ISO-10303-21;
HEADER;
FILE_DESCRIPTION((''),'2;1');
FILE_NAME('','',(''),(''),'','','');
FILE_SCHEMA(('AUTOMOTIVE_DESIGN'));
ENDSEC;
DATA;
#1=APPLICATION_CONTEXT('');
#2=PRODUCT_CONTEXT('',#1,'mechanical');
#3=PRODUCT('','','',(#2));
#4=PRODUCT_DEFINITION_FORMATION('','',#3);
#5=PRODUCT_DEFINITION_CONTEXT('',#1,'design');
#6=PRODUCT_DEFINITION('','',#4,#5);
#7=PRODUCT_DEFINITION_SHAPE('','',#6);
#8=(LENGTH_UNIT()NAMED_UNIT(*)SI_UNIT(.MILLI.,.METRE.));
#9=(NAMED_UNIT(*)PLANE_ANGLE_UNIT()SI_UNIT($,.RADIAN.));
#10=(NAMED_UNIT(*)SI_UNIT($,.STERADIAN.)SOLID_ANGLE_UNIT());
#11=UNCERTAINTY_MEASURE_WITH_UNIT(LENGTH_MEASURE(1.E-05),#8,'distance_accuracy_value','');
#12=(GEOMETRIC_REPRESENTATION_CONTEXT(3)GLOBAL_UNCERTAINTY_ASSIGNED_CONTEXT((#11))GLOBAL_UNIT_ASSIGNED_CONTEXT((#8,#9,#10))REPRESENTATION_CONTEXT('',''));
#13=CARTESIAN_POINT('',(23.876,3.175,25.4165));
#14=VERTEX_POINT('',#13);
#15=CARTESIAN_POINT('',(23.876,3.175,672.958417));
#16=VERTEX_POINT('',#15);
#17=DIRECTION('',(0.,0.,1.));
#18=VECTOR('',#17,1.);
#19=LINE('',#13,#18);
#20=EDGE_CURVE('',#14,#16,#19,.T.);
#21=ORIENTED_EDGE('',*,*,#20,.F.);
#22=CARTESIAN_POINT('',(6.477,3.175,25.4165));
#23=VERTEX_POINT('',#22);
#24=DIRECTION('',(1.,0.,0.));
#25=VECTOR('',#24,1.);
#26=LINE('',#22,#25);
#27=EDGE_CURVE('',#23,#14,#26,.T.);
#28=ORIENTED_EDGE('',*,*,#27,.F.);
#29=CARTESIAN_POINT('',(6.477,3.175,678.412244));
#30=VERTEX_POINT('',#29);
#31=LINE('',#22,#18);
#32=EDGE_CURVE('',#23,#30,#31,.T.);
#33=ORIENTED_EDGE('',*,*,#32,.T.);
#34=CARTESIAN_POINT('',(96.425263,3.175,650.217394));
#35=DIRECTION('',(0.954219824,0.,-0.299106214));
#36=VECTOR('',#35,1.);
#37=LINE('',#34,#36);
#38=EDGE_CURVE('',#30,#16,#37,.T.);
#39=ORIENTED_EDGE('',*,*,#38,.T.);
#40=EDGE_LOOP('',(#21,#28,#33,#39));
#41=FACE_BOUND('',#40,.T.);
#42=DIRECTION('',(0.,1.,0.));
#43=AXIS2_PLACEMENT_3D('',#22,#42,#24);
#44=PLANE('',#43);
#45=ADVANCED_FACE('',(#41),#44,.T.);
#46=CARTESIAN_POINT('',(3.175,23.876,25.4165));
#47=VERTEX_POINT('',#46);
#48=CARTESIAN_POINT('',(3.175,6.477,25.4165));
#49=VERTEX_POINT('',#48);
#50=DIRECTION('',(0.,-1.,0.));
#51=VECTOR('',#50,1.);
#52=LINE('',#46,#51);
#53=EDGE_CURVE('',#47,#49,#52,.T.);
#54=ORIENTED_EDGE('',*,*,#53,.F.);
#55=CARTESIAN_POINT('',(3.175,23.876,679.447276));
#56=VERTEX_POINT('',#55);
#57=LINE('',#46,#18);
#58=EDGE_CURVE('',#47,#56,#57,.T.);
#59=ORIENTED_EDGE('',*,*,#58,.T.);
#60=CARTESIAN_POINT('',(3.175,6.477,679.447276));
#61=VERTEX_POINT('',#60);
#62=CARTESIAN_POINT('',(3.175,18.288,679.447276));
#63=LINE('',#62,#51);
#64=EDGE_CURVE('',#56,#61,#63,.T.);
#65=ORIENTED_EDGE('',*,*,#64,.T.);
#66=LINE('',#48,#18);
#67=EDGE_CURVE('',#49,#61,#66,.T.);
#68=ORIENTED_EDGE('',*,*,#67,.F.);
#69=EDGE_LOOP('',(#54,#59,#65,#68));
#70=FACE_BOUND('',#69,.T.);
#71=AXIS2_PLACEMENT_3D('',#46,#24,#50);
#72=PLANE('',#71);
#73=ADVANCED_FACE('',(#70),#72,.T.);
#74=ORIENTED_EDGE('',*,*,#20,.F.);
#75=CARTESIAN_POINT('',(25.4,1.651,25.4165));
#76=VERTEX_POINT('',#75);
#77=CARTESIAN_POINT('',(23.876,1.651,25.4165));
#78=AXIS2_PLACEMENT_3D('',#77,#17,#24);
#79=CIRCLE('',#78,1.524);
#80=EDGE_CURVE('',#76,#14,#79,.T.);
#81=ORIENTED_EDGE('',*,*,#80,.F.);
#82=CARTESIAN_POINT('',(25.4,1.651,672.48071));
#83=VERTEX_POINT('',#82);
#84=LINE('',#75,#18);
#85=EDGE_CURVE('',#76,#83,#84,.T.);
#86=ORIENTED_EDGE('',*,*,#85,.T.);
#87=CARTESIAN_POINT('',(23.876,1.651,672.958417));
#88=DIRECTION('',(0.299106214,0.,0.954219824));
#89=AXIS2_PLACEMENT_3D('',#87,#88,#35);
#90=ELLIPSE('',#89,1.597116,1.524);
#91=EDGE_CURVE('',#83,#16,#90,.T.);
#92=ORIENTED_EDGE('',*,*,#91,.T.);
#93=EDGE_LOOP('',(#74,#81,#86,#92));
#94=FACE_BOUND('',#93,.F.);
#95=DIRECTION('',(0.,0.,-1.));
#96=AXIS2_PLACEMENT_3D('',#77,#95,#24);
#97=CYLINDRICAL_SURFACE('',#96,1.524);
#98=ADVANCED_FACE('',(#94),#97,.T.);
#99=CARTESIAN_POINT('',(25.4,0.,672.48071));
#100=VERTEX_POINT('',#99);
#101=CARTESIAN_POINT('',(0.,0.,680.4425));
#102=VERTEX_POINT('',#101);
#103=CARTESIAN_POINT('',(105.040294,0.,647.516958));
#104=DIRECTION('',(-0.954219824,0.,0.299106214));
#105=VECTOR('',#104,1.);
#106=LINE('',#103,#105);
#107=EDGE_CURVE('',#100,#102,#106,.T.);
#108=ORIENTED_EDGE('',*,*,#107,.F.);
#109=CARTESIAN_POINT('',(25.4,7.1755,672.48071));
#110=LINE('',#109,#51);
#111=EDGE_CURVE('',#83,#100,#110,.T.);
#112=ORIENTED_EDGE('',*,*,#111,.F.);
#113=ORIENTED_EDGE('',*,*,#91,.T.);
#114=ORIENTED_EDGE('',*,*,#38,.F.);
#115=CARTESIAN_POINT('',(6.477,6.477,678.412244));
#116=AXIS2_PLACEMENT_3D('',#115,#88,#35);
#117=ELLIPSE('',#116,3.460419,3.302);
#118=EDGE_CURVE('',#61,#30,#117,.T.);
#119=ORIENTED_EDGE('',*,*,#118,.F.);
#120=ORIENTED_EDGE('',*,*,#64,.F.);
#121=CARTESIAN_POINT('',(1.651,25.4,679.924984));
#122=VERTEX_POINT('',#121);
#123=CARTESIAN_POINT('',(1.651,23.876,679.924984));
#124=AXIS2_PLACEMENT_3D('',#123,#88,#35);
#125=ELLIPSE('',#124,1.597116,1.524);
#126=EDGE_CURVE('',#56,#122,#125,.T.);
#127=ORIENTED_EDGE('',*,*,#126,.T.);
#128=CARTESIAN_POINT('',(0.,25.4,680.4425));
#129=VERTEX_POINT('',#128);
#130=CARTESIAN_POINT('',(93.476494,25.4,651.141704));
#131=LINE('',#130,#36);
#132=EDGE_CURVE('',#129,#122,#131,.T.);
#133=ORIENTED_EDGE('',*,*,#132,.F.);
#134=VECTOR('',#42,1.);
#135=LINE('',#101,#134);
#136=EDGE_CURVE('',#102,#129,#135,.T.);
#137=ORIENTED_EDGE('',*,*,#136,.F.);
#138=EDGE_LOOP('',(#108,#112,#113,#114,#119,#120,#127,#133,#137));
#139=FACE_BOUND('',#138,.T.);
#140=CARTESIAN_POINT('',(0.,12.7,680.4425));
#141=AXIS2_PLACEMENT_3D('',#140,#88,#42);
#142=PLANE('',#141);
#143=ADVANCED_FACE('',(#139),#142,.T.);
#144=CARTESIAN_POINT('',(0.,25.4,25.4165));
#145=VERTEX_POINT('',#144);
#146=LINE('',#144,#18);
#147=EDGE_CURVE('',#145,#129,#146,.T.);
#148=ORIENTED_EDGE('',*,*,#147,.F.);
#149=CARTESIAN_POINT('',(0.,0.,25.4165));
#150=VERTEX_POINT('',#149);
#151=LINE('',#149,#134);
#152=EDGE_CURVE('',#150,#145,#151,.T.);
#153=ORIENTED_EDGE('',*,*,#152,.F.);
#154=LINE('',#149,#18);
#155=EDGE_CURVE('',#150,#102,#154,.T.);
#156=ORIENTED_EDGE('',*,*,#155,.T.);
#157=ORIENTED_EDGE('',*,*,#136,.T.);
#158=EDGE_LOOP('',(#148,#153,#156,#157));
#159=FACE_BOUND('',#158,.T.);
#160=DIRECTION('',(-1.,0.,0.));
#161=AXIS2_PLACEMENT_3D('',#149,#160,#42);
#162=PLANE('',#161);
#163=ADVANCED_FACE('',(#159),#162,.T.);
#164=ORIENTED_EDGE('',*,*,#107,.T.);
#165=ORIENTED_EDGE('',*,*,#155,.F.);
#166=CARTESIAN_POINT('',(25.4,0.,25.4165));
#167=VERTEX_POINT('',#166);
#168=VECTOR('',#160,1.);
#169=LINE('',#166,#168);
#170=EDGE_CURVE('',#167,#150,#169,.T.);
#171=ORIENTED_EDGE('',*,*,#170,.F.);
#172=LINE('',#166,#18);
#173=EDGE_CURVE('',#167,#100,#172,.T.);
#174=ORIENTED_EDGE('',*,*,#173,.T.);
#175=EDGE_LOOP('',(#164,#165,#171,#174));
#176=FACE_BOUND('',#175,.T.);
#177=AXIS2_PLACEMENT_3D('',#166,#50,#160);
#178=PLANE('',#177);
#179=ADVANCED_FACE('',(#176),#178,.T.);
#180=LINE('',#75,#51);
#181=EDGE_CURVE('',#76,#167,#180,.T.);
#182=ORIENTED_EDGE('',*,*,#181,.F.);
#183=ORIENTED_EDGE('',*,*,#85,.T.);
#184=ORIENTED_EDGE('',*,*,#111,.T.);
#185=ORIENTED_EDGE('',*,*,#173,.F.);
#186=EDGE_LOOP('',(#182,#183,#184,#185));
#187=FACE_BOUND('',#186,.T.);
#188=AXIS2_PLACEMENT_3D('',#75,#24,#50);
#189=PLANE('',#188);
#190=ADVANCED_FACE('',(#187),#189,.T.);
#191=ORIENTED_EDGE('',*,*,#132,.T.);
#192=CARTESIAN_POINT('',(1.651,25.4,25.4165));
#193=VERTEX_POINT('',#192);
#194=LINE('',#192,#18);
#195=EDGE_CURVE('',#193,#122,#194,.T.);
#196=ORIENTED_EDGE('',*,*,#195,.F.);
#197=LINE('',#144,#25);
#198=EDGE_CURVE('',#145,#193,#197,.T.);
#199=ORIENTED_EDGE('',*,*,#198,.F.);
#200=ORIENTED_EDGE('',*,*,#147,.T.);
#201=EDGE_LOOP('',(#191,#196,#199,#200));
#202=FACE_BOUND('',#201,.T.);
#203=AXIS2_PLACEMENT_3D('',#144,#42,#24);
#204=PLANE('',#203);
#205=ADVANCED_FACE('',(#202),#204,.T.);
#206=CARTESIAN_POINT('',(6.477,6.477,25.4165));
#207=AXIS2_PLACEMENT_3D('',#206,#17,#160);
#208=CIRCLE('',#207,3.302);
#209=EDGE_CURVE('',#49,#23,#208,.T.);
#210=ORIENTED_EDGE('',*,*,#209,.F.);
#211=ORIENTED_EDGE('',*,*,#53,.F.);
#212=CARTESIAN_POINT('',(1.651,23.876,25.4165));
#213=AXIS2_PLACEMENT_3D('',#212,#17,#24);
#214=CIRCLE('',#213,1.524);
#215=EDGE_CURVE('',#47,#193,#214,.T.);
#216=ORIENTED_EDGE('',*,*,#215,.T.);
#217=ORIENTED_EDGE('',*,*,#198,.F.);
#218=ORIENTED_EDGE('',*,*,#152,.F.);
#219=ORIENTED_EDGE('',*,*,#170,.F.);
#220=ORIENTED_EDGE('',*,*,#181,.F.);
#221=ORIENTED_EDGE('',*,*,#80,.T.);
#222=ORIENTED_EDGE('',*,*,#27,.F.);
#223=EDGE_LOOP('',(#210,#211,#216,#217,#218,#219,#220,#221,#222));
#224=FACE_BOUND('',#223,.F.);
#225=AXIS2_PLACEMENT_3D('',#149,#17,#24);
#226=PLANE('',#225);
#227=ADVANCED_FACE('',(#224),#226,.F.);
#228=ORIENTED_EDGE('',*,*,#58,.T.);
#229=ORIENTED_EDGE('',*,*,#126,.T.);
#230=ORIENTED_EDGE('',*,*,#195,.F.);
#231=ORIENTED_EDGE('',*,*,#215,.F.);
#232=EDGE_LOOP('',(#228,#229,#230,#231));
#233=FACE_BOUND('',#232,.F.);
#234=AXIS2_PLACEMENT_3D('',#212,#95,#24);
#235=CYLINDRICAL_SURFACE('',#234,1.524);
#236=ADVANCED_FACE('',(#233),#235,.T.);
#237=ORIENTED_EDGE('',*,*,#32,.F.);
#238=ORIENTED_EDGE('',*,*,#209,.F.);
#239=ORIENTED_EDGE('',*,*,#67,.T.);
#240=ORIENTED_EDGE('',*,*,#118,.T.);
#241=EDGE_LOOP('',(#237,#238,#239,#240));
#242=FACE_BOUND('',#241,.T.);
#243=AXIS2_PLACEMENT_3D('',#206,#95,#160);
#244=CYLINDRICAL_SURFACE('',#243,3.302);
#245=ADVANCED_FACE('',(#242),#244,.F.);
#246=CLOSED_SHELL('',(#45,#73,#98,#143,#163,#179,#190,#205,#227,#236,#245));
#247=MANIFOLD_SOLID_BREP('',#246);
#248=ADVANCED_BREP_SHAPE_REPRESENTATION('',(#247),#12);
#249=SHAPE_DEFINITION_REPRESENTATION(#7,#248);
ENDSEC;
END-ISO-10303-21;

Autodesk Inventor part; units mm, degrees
ref_plane "Start Plane" through (0, 0, 25.4165) normal (0, 0, 1) x (1, 0, 0)
ref_plane "End Plane" through (0, 0, 680.4425) normal (0, 0, 1) x (1, 0, 0)
sketch "Sketch" plane through (0, 0, 0) normal (0, 0, 1) x (1, 0, 0)
  line L0 (25.4, 0) -> (0, 0)
  line L1 (0, 0) -> (0, 25.4)
  line L2 (0, 25.4) -> (1.651, 25.4)
  line L3 (3.175, 23.876) -> (3.175, 6.477)
  line L4 (6.477, 3.175) -> (23.876, 3.175)
  line L5 (25.4, 1.651) -> (25.4, 0)
  line L6 (0, -11.0414) -> (0, 31.5385) construction
  line L7 (-11.0414, 0) -> (31.5385, 0) construction
  arc A0 (3.175, 6.477) -> (6.477, 3.175) centre (6.477, 6.477) ccw
  arc A1 (3.175, 23.876) -> (1.651, 25.4) centre (1.651, 23.876) ccw
  arc A2 (25.4, 1.651) -> (23.876, 3.175) centre (23.876, 1.651) ccw
  line L8 (0, 40.0545) -> (0, -19.5574) construction
  line L9 (-19.5574, 0) -> (40.0545, 0) construction
  point P0 (3.175, 25.4)
  point P1 (3.175, 3.175)
  point P2 (25.4, 3.175)
  dimension "d0" = 25.4
  dimension "d1" = 25.4
  dimension "d2" = 3.175
  dimension "d3" = 3.175
  dimension "d10" = 0
  dimension "d11" = 0
  dimension "d14" = 3.302
  dimension "d15" = 1.524
extrude "Body" add sketch "Sketch" along normal up to surface (655.026 mm away) from surface at 25.4165
sketch "Sketch3" plane through (0, 0, 0) normal (0, 0, 1) x (1, 0, 0)
  line L0 (0, 0) -> (10, 0)
ref_plane "Work Plane3" through (0, 0, 0) normal (0, -1, 0) x (1, 0, 0)
ref_plane "Work Plane4" through (0, 12.7, 680.4425) normal (0.2991, 0, 0.9542) x (0.9542, 0, -0.2991)
split "Split1" plane through (0, 12.7, 680.4425) removes the side toward (0.2991, 0, 0.9542)
ref_plane "Work Plane5" through (-0.8564, 664.6, 23.7336) normal (0, 1, 0) x (1, 0, 0)
split "Split2" plane through (-0.8564, 664.6, 23.7336) removes the side toward (0, 1, 0)
sketch "Sketch4" plane through (0, 0, 0) normal (0, -1, 0) x (1, 0, 0)
  line L0 (-2, 25.4165) -> (12, 25.4165) projected
  line L1 (-2, 680.4425) -> (12, 680.4425) projected
  dimension "d17" = 655.026
equation "\"d0\" = G_H"
equation "\"d1\" = G_H"
equation "\"d2\" = G_T"
equation "\"d3\" = G_T"
equation "\"d14\" = G_IR"
equation "\"d15\" = G_ER"
equation "\"d4\" = G_L"
equation "\"G_H\" = 25.4"
equation "\"G_T\" = 3.175"
equation "\"G_ER\" = 1.524"
equation "\"G_IR\" = 3.302"
equation "\"G_L\" = d17"
equation "\"ex\" = 0"
equation "\"G_OFFSET_START\" = -25.41653"
equation "\"G_OFFSET_END\" = 0"
equation "\"d12\" = -G_OFFSET_START"
equation "\"d13\" = G_OFFSET_END + B_L"
equation "\"B_L\" = 680.44252"
properties part number "AISC - L 1 x 1 x 1/8 - 25.788" material "Steel, Mild"
